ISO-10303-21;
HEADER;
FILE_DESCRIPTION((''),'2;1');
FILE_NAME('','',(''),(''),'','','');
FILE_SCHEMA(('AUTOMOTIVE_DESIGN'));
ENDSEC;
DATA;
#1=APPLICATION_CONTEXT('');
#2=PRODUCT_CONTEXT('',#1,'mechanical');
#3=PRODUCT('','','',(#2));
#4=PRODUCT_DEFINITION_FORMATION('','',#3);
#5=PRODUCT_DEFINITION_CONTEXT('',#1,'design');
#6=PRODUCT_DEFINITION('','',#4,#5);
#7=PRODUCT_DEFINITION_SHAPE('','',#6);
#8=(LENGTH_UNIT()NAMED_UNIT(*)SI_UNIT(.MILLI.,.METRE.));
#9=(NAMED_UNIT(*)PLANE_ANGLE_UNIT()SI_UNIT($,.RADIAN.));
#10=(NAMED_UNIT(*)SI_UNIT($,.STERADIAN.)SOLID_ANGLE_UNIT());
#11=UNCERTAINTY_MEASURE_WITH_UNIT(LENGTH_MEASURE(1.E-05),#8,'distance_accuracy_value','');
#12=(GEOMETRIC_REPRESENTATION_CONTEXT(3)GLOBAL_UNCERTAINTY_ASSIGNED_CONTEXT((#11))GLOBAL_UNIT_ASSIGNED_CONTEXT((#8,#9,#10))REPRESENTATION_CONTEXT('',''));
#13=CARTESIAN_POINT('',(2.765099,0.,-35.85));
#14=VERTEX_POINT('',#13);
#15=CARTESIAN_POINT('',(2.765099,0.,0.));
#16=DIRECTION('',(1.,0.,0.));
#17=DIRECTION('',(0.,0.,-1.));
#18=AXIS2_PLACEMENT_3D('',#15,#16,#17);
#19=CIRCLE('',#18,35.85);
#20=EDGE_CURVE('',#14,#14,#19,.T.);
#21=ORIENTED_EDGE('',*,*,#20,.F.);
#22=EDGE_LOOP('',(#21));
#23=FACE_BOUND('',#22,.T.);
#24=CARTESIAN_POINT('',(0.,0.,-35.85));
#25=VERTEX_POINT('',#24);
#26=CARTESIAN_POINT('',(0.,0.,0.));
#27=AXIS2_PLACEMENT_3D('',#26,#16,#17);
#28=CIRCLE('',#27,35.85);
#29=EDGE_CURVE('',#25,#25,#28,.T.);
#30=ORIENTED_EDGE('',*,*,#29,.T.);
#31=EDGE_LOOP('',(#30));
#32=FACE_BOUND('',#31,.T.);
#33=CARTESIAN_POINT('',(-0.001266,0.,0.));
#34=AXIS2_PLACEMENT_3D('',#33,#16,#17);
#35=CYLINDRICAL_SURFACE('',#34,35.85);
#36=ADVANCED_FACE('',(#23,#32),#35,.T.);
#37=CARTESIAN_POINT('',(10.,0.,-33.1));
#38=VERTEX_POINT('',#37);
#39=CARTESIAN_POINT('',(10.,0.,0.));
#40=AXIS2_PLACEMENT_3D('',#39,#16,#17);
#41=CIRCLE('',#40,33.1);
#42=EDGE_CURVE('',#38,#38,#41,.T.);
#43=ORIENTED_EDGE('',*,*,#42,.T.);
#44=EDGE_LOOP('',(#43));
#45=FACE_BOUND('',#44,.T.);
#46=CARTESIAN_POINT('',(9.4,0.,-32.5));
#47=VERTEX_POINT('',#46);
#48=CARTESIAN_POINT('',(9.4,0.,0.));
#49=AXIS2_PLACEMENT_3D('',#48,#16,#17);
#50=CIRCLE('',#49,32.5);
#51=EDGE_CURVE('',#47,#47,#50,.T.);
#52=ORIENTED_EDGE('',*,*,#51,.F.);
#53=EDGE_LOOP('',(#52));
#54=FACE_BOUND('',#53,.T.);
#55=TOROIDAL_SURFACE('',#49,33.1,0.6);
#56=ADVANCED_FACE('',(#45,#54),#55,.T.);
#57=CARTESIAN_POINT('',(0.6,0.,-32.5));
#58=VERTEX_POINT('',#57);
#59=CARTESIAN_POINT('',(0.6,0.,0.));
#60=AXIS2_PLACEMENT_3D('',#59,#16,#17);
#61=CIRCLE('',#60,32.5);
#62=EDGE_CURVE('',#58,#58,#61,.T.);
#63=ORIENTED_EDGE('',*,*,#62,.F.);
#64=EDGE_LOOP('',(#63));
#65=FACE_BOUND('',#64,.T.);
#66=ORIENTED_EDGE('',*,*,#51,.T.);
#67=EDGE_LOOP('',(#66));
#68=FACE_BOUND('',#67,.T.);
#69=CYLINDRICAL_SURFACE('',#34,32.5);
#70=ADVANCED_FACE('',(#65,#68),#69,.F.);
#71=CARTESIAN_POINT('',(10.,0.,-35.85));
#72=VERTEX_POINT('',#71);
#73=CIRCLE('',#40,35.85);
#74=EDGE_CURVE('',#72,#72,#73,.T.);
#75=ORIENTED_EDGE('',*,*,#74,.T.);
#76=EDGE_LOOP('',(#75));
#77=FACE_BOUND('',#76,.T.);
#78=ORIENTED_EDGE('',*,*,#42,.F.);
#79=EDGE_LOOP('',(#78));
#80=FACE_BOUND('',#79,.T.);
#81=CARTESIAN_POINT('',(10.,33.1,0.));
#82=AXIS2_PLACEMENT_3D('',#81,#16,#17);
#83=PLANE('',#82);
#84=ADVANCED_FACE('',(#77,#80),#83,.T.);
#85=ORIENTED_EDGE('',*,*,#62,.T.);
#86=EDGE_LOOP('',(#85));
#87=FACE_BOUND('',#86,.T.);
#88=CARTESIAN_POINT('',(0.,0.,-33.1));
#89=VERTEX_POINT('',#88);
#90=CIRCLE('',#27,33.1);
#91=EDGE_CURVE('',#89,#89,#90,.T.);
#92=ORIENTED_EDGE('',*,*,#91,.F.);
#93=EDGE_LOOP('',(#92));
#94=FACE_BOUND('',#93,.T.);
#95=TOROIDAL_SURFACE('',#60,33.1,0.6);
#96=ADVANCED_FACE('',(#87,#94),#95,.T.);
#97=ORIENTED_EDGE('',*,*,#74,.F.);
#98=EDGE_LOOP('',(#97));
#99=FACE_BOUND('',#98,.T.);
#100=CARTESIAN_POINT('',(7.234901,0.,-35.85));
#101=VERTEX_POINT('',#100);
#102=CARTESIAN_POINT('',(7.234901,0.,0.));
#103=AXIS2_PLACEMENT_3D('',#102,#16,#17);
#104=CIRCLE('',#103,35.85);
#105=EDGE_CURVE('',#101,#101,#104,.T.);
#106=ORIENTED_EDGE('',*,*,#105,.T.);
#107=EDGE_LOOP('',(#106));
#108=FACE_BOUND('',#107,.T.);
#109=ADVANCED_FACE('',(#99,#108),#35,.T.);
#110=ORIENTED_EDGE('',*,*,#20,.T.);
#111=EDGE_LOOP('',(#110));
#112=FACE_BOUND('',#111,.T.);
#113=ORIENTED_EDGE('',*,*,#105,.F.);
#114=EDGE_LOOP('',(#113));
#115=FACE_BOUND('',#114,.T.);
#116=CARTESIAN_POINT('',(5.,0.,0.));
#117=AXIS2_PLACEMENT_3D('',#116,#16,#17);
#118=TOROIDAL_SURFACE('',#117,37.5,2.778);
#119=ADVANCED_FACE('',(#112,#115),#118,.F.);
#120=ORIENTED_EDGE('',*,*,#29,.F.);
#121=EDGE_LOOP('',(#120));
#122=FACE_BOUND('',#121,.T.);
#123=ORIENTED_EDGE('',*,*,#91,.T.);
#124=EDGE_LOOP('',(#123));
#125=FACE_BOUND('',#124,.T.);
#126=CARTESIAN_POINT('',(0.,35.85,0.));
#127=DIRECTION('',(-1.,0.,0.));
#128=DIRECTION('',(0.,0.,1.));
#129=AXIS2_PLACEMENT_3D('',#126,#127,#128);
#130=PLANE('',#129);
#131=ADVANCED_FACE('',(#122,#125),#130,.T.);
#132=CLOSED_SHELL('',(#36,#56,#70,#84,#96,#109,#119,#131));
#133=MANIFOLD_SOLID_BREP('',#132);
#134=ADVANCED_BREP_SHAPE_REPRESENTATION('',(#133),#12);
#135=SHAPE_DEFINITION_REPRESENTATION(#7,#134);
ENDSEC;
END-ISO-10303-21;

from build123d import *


with BuildPart() as part:
    # 草图1 → 旋转1 (revolve)
    with BuildSketch(Plane.XY, mode=Mode.PRIVATE) as revolve_1_sk:
        with BuildLine():
            Line((0, 35.85), (0, 33.1))
            ThreePointArc((0, 33.1), (0.175735931, 32.675735931), (0.6, 32.5))
            Line((0.6, 32.5), (9.4, 32.5))
            ThreePointArc((9.4, 32.5), (9.824264069, 32.675735931), (10, 33.1))
            Line((10, 33.1), (10, 35.85))
            Line((10, 35.85), (7.23490134, 35.85))
            ThreePointArc((7.23490134, 35.85), (5, 34.722), (2.76509866, 35.85))
            Line((2.76509866, 35.85), (0, 35.85))
        make_face()
    revolve(revolve_1_sk.sketch.rotate(Axis((-0.001266185, 0, 0), (1, 0, 0)), 270), axis=Axis((-0.001266185, 0, 0), (1, 0, 0)))


solid = part.part
